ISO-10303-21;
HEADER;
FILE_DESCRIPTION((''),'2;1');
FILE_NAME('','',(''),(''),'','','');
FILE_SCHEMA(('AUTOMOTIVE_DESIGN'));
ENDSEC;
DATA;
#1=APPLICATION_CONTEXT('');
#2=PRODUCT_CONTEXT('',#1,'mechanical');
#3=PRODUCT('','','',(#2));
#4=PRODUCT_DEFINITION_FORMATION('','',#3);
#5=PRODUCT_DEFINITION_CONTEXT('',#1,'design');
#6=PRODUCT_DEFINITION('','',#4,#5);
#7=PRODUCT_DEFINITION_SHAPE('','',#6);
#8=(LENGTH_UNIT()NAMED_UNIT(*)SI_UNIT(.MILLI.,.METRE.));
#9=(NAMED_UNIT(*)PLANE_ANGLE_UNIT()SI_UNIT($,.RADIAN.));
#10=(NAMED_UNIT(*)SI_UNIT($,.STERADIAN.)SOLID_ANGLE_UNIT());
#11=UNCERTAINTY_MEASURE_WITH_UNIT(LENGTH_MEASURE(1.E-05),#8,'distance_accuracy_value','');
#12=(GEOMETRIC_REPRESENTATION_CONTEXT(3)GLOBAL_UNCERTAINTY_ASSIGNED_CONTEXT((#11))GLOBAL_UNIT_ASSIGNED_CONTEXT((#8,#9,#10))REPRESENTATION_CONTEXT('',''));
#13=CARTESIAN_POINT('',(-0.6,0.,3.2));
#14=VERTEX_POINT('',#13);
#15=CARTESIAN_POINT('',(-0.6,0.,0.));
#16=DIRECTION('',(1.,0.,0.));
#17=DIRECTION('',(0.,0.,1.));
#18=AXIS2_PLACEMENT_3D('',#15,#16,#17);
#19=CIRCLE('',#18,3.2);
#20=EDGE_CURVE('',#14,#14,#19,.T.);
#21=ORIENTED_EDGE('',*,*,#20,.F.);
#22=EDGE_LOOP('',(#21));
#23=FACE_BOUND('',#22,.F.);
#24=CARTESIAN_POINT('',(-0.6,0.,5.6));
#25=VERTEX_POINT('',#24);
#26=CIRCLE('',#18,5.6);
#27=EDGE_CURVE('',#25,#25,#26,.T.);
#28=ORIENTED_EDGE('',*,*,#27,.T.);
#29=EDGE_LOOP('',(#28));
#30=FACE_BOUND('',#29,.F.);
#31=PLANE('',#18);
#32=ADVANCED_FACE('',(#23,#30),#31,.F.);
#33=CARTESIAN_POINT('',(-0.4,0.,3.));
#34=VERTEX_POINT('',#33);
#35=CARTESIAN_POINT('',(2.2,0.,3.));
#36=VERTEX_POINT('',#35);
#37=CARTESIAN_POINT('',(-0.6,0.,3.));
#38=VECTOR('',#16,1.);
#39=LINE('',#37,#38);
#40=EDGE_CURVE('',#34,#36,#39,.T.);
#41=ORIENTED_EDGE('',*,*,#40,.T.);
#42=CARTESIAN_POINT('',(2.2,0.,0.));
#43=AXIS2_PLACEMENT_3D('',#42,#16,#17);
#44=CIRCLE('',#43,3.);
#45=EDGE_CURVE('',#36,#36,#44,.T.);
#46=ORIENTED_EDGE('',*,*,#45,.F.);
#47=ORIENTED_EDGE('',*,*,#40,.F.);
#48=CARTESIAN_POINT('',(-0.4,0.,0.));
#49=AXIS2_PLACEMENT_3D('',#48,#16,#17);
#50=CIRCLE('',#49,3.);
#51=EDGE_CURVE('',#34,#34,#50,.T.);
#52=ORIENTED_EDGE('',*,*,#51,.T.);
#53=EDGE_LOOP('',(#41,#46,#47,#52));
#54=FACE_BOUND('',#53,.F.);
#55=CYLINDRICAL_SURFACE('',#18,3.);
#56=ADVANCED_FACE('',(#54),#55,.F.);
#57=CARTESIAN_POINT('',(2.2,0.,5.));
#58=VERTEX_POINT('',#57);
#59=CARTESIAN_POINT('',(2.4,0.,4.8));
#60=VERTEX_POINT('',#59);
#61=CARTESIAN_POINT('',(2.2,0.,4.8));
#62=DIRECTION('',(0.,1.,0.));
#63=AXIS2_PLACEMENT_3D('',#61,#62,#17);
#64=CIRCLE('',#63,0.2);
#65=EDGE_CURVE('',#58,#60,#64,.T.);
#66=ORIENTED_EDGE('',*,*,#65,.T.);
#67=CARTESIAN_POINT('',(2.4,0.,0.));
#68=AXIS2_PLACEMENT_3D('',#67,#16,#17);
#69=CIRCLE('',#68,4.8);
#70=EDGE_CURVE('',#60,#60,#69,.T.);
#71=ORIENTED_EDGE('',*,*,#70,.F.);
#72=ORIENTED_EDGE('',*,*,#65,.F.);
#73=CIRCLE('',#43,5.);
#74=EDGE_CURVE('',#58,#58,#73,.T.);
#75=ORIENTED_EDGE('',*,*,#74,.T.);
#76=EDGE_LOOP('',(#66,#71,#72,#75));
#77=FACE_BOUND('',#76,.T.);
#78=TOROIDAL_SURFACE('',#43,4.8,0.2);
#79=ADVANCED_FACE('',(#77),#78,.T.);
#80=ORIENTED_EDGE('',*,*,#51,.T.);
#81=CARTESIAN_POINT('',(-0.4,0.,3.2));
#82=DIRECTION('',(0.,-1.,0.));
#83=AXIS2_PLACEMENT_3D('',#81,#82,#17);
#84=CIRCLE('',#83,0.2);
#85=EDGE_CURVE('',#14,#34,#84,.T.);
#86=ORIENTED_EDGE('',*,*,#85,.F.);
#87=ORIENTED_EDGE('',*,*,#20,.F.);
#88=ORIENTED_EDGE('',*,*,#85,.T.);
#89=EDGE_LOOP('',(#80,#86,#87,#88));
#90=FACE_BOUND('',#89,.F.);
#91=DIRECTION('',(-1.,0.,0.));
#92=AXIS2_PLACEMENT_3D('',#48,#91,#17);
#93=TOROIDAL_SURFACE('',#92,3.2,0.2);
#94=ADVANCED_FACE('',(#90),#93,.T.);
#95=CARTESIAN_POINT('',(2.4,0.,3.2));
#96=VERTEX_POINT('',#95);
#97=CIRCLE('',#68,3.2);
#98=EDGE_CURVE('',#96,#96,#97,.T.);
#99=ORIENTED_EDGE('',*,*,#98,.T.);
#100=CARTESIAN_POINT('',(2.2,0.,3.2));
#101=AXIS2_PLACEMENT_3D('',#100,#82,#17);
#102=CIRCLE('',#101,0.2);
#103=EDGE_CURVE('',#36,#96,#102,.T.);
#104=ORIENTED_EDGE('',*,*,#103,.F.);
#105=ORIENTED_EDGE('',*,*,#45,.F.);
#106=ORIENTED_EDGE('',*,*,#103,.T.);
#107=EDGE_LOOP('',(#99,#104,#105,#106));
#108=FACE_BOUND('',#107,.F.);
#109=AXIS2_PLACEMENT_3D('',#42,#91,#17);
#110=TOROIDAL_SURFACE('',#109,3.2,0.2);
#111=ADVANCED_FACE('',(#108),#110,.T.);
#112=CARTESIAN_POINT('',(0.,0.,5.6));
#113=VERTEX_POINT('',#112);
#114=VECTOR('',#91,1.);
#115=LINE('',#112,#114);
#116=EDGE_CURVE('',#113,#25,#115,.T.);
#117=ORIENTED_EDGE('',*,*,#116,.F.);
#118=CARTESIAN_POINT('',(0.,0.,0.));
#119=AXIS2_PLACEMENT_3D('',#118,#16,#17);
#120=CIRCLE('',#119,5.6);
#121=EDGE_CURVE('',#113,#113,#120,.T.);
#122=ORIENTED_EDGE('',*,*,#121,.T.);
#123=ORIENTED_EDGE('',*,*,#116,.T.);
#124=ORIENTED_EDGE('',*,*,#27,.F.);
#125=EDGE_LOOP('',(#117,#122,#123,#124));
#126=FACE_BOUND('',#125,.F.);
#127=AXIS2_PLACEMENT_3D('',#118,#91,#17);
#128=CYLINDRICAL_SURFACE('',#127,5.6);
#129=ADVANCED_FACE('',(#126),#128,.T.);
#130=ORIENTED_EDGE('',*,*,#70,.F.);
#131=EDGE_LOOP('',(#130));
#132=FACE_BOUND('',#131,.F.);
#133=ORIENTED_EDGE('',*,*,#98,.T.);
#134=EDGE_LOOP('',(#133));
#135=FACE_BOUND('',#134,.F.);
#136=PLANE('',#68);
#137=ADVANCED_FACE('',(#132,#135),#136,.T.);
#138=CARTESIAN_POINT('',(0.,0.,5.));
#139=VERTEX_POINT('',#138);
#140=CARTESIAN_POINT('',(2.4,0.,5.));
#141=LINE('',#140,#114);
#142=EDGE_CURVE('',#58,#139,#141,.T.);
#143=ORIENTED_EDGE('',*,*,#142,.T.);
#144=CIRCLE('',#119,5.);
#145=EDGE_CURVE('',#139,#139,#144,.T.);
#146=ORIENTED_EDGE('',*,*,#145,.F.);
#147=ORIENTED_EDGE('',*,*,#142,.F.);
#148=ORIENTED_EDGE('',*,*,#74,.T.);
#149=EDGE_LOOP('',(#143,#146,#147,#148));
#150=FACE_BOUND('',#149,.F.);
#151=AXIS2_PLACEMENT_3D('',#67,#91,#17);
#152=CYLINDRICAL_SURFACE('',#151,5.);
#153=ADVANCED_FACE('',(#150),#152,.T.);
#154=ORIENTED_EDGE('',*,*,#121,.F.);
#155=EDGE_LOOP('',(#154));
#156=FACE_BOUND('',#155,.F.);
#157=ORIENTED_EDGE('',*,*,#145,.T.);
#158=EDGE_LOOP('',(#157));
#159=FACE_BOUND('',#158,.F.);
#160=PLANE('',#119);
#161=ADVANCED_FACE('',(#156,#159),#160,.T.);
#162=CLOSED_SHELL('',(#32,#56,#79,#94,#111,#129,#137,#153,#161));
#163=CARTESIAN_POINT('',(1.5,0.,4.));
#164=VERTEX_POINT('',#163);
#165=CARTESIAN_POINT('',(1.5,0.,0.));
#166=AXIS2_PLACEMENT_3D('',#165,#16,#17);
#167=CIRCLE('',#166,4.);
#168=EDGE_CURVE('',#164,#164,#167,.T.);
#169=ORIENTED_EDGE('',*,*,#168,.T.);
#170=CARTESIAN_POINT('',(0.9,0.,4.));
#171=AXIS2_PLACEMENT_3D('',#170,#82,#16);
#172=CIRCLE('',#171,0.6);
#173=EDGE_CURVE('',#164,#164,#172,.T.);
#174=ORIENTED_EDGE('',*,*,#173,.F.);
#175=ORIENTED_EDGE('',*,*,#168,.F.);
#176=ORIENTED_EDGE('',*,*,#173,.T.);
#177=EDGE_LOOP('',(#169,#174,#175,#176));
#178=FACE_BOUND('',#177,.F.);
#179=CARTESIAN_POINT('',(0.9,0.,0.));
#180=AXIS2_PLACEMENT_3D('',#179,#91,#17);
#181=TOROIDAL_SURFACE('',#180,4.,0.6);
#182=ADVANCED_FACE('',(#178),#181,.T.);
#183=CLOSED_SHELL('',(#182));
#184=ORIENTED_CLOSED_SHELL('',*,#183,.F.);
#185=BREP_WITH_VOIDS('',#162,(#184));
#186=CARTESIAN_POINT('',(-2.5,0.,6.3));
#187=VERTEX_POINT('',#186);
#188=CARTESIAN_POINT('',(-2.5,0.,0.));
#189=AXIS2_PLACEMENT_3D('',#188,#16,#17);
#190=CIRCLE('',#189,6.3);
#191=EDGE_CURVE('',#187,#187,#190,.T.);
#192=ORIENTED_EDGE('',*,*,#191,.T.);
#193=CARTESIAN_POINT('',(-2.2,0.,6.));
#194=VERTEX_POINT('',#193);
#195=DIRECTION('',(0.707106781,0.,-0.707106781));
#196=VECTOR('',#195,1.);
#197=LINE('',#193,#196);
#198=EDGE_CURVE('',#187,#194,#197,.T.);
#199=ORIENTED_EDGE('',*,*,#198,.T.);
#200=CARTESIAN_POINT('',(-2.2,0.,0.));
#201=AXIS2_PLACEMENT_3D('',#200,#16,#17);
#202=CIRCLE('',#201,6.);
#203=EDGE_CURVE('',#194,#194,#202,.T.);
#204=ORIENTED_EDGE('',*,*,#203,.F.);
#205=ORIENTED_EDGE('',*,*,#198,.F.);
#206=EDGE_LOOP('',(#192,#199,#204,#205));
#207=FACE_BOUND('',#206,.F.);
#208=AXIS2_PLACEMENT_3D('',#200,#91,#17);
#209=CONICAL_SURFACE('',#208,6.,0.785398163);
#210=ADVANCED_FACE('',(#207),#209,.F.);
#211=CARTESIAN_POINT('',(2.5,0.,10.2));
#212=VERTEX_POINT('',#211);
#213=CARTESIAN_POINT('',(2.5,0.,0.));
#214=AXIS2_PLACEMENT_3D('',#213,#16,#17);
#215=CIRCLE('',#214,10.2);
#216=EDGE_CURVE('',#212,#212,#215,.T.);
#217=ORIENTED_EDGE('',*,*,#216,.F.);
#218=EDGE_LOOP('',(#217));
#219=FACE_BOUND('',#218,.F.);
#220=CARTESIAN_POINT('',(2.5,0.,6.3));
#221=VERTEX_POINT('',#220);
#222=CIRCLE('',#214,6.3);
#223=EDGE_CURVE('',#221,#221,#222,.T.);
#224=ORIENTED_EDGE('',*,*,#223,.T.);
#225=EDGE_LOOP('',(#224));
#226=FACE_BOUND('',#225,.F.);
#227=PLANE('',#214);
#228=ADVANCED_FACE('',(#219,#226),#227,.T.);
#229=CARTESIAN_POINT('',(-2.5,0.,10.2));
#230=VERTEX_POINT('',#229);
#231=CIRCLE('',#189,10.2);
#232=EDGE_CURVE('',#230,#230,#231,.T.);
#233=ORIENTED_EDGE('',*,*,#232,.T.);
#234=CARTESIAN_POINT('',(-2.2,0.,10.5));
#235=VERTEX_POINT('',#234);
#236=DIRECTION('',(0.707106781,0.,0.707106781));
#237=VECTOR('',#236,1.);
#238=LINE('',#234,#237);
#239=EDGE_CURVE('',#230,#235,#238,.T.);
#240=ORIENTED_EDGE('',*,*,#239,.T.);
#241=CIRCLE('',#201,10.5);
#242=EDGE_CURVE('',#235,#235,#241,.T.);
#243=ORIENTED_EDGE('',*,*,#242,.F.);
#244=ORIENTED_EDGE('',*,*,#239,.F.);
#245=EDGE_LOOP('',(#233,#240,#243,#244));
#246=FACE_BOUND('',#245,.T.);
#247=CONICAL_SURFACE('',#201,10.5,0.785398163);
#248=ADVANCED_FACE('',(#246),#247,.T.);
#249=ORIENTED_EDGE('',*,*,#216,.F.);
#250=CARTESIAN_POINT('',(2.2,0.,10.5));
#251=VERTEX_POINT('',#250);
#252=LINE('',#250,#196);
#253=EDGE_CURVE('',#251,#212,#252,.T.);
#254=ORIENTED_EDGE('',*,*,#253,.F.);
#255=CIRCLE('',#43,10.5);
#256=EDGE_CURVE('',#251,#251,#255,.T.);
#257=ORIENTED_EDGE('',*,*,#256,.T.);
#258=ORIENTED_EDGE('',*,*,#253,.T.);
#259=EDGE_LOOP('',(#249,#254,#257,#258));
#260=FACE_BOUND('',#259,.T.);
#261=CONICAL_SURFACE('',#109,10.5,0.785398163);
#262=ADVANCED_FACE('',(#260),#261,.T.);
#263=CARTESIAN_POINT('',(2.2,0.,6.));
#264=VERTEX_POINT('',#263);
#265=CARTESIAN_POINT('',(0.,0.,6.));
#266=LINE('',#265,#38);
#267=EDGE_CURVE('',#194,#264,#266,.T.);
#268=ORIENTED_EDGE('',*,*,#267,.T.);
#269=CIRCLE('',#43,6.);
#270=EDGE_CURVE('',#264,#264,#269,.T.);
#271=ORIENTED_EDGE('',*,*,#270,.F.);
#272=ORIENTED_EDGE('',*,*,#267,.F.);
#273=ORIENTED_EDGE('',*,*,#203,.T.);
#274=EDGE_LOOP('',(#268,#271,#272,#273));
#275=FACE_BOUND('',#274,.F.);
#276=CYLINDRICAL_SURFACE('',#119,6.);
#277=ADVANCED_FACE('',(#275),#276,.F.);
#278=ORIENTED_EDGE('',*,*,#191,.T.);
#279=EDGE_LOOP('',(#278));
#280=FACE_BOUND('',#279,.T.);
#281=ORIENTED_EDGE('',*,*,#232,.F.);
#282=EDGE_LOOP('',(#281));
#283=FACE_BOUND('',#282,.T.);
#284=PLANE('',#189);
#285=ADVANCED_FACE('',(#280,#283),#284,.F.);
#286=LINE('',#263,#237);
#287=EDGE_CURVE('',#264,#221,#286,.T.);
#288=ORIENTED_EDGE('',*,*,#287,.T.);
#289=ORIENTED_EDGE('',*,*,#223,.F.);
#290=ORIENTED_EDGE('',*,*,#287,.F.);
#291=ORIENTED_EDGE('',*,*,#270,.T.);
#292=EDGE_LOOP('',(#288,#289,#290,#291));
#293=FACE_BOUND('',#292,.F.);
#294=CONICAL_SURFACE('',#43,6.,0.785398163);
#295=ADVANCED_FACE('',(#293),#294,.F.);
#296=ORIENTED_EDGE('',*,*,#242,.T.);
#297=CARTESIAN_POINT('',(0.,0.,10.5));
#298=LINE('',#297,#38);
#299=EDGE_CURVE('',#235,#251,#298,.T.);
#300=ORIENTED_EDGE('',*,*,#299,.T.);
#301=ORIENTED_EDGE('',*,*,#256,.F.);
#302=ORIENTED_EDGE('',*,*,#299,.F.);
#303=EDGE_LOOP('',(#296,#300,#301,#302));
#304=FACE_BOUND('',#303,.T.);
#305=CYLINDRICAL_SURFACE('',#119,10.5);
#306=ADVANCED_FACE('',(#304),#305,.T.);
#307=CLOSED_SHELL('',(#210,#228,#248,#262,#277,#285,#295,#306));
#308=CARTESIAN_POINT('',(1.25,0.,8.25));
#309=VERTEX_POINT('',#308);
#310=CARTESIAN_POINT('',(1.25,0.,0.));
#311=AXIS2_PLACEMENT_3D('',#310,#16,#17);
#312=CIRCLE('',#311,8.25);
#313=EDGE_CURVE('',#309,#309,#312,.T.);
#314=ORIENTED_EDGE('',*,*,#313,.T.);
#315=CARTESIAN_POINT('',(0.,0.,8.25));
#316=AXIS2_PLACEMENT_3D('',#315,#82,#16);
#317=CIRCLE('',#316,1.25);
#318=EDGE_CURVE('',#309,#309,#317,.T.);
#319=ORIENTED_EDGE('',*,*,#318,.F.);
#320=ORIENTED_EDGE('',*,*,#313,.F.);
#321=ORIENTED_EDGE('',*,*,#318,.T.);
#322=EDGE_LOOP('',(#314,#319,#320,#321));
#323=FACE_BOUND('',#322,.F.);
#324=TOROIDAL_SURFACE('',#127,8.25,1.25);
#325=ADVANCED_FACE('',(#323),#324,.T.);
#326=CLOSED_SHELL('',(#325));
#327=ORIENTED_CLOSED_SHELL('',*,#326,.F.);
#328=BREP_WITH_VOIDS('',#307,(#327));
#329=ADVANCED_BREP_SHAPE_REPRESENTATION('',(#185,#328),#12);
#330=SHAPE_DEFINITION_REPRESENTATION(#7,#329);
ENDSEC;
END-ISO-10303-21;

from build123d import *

# Parameters (mm, degrees)
F0_R    = 0.6
F2_R    = 0.2
F3_W    = 5
F3_H    = 4.5
F3_R    = 1.25
F5_SIZE = 0.3


with BuildPart() as f1:
    # F0 (on Front) → F1 (revolve)
    with BuildSketch(Plane.XZ):
        Polygon((0, 5.6), (-0.6, 5.6), (-0.6, 3), (2.4, 3), (2.4, 5), (0, 5), align=None)
        with Locations((0.9, 4)):
            Circle(F0_R, mode=Mode.SUBTRACT)
    revolve(axis=Axis((0.9, 0, 0), (1, 0, 0)))

    # F2
    f2_edges = [f1.edges().sort_by_distance(p)[0] for p in [
        (2.4, 0, -5),
        (2.4, 0, -3),
        (-0.6, 0, -3),
    ]]
    fillet(f2_edges, radius=F2_R)


with BuildPart() as f4:
    # F3 (on Front) → F4 (revolve)
    with BuildSketch(Plane.XZ):
        with Locations((0, 8.25)):
            Rectangle(F3_W, F3_H)
        with Locations((0, 8.25)):
            Circle(F3_R, mode=Mode.SUBTRACT)
    revolve(axis=Axis((0, 0, 0), (1, 0, 0)))

    # F5
    f5_edges = [f4.edges().sort_by_distance(p)[0] for p in [
        (-2.5, 0, -10.5),
        (-2.5, 0, -6),
        (2.5, 0, -6),
        (2.5, 0, -10.5),
    ]]
    chamfer(f5_edges, length=F5_SIZE)


solid = Compound([f1.part, f4.part])
